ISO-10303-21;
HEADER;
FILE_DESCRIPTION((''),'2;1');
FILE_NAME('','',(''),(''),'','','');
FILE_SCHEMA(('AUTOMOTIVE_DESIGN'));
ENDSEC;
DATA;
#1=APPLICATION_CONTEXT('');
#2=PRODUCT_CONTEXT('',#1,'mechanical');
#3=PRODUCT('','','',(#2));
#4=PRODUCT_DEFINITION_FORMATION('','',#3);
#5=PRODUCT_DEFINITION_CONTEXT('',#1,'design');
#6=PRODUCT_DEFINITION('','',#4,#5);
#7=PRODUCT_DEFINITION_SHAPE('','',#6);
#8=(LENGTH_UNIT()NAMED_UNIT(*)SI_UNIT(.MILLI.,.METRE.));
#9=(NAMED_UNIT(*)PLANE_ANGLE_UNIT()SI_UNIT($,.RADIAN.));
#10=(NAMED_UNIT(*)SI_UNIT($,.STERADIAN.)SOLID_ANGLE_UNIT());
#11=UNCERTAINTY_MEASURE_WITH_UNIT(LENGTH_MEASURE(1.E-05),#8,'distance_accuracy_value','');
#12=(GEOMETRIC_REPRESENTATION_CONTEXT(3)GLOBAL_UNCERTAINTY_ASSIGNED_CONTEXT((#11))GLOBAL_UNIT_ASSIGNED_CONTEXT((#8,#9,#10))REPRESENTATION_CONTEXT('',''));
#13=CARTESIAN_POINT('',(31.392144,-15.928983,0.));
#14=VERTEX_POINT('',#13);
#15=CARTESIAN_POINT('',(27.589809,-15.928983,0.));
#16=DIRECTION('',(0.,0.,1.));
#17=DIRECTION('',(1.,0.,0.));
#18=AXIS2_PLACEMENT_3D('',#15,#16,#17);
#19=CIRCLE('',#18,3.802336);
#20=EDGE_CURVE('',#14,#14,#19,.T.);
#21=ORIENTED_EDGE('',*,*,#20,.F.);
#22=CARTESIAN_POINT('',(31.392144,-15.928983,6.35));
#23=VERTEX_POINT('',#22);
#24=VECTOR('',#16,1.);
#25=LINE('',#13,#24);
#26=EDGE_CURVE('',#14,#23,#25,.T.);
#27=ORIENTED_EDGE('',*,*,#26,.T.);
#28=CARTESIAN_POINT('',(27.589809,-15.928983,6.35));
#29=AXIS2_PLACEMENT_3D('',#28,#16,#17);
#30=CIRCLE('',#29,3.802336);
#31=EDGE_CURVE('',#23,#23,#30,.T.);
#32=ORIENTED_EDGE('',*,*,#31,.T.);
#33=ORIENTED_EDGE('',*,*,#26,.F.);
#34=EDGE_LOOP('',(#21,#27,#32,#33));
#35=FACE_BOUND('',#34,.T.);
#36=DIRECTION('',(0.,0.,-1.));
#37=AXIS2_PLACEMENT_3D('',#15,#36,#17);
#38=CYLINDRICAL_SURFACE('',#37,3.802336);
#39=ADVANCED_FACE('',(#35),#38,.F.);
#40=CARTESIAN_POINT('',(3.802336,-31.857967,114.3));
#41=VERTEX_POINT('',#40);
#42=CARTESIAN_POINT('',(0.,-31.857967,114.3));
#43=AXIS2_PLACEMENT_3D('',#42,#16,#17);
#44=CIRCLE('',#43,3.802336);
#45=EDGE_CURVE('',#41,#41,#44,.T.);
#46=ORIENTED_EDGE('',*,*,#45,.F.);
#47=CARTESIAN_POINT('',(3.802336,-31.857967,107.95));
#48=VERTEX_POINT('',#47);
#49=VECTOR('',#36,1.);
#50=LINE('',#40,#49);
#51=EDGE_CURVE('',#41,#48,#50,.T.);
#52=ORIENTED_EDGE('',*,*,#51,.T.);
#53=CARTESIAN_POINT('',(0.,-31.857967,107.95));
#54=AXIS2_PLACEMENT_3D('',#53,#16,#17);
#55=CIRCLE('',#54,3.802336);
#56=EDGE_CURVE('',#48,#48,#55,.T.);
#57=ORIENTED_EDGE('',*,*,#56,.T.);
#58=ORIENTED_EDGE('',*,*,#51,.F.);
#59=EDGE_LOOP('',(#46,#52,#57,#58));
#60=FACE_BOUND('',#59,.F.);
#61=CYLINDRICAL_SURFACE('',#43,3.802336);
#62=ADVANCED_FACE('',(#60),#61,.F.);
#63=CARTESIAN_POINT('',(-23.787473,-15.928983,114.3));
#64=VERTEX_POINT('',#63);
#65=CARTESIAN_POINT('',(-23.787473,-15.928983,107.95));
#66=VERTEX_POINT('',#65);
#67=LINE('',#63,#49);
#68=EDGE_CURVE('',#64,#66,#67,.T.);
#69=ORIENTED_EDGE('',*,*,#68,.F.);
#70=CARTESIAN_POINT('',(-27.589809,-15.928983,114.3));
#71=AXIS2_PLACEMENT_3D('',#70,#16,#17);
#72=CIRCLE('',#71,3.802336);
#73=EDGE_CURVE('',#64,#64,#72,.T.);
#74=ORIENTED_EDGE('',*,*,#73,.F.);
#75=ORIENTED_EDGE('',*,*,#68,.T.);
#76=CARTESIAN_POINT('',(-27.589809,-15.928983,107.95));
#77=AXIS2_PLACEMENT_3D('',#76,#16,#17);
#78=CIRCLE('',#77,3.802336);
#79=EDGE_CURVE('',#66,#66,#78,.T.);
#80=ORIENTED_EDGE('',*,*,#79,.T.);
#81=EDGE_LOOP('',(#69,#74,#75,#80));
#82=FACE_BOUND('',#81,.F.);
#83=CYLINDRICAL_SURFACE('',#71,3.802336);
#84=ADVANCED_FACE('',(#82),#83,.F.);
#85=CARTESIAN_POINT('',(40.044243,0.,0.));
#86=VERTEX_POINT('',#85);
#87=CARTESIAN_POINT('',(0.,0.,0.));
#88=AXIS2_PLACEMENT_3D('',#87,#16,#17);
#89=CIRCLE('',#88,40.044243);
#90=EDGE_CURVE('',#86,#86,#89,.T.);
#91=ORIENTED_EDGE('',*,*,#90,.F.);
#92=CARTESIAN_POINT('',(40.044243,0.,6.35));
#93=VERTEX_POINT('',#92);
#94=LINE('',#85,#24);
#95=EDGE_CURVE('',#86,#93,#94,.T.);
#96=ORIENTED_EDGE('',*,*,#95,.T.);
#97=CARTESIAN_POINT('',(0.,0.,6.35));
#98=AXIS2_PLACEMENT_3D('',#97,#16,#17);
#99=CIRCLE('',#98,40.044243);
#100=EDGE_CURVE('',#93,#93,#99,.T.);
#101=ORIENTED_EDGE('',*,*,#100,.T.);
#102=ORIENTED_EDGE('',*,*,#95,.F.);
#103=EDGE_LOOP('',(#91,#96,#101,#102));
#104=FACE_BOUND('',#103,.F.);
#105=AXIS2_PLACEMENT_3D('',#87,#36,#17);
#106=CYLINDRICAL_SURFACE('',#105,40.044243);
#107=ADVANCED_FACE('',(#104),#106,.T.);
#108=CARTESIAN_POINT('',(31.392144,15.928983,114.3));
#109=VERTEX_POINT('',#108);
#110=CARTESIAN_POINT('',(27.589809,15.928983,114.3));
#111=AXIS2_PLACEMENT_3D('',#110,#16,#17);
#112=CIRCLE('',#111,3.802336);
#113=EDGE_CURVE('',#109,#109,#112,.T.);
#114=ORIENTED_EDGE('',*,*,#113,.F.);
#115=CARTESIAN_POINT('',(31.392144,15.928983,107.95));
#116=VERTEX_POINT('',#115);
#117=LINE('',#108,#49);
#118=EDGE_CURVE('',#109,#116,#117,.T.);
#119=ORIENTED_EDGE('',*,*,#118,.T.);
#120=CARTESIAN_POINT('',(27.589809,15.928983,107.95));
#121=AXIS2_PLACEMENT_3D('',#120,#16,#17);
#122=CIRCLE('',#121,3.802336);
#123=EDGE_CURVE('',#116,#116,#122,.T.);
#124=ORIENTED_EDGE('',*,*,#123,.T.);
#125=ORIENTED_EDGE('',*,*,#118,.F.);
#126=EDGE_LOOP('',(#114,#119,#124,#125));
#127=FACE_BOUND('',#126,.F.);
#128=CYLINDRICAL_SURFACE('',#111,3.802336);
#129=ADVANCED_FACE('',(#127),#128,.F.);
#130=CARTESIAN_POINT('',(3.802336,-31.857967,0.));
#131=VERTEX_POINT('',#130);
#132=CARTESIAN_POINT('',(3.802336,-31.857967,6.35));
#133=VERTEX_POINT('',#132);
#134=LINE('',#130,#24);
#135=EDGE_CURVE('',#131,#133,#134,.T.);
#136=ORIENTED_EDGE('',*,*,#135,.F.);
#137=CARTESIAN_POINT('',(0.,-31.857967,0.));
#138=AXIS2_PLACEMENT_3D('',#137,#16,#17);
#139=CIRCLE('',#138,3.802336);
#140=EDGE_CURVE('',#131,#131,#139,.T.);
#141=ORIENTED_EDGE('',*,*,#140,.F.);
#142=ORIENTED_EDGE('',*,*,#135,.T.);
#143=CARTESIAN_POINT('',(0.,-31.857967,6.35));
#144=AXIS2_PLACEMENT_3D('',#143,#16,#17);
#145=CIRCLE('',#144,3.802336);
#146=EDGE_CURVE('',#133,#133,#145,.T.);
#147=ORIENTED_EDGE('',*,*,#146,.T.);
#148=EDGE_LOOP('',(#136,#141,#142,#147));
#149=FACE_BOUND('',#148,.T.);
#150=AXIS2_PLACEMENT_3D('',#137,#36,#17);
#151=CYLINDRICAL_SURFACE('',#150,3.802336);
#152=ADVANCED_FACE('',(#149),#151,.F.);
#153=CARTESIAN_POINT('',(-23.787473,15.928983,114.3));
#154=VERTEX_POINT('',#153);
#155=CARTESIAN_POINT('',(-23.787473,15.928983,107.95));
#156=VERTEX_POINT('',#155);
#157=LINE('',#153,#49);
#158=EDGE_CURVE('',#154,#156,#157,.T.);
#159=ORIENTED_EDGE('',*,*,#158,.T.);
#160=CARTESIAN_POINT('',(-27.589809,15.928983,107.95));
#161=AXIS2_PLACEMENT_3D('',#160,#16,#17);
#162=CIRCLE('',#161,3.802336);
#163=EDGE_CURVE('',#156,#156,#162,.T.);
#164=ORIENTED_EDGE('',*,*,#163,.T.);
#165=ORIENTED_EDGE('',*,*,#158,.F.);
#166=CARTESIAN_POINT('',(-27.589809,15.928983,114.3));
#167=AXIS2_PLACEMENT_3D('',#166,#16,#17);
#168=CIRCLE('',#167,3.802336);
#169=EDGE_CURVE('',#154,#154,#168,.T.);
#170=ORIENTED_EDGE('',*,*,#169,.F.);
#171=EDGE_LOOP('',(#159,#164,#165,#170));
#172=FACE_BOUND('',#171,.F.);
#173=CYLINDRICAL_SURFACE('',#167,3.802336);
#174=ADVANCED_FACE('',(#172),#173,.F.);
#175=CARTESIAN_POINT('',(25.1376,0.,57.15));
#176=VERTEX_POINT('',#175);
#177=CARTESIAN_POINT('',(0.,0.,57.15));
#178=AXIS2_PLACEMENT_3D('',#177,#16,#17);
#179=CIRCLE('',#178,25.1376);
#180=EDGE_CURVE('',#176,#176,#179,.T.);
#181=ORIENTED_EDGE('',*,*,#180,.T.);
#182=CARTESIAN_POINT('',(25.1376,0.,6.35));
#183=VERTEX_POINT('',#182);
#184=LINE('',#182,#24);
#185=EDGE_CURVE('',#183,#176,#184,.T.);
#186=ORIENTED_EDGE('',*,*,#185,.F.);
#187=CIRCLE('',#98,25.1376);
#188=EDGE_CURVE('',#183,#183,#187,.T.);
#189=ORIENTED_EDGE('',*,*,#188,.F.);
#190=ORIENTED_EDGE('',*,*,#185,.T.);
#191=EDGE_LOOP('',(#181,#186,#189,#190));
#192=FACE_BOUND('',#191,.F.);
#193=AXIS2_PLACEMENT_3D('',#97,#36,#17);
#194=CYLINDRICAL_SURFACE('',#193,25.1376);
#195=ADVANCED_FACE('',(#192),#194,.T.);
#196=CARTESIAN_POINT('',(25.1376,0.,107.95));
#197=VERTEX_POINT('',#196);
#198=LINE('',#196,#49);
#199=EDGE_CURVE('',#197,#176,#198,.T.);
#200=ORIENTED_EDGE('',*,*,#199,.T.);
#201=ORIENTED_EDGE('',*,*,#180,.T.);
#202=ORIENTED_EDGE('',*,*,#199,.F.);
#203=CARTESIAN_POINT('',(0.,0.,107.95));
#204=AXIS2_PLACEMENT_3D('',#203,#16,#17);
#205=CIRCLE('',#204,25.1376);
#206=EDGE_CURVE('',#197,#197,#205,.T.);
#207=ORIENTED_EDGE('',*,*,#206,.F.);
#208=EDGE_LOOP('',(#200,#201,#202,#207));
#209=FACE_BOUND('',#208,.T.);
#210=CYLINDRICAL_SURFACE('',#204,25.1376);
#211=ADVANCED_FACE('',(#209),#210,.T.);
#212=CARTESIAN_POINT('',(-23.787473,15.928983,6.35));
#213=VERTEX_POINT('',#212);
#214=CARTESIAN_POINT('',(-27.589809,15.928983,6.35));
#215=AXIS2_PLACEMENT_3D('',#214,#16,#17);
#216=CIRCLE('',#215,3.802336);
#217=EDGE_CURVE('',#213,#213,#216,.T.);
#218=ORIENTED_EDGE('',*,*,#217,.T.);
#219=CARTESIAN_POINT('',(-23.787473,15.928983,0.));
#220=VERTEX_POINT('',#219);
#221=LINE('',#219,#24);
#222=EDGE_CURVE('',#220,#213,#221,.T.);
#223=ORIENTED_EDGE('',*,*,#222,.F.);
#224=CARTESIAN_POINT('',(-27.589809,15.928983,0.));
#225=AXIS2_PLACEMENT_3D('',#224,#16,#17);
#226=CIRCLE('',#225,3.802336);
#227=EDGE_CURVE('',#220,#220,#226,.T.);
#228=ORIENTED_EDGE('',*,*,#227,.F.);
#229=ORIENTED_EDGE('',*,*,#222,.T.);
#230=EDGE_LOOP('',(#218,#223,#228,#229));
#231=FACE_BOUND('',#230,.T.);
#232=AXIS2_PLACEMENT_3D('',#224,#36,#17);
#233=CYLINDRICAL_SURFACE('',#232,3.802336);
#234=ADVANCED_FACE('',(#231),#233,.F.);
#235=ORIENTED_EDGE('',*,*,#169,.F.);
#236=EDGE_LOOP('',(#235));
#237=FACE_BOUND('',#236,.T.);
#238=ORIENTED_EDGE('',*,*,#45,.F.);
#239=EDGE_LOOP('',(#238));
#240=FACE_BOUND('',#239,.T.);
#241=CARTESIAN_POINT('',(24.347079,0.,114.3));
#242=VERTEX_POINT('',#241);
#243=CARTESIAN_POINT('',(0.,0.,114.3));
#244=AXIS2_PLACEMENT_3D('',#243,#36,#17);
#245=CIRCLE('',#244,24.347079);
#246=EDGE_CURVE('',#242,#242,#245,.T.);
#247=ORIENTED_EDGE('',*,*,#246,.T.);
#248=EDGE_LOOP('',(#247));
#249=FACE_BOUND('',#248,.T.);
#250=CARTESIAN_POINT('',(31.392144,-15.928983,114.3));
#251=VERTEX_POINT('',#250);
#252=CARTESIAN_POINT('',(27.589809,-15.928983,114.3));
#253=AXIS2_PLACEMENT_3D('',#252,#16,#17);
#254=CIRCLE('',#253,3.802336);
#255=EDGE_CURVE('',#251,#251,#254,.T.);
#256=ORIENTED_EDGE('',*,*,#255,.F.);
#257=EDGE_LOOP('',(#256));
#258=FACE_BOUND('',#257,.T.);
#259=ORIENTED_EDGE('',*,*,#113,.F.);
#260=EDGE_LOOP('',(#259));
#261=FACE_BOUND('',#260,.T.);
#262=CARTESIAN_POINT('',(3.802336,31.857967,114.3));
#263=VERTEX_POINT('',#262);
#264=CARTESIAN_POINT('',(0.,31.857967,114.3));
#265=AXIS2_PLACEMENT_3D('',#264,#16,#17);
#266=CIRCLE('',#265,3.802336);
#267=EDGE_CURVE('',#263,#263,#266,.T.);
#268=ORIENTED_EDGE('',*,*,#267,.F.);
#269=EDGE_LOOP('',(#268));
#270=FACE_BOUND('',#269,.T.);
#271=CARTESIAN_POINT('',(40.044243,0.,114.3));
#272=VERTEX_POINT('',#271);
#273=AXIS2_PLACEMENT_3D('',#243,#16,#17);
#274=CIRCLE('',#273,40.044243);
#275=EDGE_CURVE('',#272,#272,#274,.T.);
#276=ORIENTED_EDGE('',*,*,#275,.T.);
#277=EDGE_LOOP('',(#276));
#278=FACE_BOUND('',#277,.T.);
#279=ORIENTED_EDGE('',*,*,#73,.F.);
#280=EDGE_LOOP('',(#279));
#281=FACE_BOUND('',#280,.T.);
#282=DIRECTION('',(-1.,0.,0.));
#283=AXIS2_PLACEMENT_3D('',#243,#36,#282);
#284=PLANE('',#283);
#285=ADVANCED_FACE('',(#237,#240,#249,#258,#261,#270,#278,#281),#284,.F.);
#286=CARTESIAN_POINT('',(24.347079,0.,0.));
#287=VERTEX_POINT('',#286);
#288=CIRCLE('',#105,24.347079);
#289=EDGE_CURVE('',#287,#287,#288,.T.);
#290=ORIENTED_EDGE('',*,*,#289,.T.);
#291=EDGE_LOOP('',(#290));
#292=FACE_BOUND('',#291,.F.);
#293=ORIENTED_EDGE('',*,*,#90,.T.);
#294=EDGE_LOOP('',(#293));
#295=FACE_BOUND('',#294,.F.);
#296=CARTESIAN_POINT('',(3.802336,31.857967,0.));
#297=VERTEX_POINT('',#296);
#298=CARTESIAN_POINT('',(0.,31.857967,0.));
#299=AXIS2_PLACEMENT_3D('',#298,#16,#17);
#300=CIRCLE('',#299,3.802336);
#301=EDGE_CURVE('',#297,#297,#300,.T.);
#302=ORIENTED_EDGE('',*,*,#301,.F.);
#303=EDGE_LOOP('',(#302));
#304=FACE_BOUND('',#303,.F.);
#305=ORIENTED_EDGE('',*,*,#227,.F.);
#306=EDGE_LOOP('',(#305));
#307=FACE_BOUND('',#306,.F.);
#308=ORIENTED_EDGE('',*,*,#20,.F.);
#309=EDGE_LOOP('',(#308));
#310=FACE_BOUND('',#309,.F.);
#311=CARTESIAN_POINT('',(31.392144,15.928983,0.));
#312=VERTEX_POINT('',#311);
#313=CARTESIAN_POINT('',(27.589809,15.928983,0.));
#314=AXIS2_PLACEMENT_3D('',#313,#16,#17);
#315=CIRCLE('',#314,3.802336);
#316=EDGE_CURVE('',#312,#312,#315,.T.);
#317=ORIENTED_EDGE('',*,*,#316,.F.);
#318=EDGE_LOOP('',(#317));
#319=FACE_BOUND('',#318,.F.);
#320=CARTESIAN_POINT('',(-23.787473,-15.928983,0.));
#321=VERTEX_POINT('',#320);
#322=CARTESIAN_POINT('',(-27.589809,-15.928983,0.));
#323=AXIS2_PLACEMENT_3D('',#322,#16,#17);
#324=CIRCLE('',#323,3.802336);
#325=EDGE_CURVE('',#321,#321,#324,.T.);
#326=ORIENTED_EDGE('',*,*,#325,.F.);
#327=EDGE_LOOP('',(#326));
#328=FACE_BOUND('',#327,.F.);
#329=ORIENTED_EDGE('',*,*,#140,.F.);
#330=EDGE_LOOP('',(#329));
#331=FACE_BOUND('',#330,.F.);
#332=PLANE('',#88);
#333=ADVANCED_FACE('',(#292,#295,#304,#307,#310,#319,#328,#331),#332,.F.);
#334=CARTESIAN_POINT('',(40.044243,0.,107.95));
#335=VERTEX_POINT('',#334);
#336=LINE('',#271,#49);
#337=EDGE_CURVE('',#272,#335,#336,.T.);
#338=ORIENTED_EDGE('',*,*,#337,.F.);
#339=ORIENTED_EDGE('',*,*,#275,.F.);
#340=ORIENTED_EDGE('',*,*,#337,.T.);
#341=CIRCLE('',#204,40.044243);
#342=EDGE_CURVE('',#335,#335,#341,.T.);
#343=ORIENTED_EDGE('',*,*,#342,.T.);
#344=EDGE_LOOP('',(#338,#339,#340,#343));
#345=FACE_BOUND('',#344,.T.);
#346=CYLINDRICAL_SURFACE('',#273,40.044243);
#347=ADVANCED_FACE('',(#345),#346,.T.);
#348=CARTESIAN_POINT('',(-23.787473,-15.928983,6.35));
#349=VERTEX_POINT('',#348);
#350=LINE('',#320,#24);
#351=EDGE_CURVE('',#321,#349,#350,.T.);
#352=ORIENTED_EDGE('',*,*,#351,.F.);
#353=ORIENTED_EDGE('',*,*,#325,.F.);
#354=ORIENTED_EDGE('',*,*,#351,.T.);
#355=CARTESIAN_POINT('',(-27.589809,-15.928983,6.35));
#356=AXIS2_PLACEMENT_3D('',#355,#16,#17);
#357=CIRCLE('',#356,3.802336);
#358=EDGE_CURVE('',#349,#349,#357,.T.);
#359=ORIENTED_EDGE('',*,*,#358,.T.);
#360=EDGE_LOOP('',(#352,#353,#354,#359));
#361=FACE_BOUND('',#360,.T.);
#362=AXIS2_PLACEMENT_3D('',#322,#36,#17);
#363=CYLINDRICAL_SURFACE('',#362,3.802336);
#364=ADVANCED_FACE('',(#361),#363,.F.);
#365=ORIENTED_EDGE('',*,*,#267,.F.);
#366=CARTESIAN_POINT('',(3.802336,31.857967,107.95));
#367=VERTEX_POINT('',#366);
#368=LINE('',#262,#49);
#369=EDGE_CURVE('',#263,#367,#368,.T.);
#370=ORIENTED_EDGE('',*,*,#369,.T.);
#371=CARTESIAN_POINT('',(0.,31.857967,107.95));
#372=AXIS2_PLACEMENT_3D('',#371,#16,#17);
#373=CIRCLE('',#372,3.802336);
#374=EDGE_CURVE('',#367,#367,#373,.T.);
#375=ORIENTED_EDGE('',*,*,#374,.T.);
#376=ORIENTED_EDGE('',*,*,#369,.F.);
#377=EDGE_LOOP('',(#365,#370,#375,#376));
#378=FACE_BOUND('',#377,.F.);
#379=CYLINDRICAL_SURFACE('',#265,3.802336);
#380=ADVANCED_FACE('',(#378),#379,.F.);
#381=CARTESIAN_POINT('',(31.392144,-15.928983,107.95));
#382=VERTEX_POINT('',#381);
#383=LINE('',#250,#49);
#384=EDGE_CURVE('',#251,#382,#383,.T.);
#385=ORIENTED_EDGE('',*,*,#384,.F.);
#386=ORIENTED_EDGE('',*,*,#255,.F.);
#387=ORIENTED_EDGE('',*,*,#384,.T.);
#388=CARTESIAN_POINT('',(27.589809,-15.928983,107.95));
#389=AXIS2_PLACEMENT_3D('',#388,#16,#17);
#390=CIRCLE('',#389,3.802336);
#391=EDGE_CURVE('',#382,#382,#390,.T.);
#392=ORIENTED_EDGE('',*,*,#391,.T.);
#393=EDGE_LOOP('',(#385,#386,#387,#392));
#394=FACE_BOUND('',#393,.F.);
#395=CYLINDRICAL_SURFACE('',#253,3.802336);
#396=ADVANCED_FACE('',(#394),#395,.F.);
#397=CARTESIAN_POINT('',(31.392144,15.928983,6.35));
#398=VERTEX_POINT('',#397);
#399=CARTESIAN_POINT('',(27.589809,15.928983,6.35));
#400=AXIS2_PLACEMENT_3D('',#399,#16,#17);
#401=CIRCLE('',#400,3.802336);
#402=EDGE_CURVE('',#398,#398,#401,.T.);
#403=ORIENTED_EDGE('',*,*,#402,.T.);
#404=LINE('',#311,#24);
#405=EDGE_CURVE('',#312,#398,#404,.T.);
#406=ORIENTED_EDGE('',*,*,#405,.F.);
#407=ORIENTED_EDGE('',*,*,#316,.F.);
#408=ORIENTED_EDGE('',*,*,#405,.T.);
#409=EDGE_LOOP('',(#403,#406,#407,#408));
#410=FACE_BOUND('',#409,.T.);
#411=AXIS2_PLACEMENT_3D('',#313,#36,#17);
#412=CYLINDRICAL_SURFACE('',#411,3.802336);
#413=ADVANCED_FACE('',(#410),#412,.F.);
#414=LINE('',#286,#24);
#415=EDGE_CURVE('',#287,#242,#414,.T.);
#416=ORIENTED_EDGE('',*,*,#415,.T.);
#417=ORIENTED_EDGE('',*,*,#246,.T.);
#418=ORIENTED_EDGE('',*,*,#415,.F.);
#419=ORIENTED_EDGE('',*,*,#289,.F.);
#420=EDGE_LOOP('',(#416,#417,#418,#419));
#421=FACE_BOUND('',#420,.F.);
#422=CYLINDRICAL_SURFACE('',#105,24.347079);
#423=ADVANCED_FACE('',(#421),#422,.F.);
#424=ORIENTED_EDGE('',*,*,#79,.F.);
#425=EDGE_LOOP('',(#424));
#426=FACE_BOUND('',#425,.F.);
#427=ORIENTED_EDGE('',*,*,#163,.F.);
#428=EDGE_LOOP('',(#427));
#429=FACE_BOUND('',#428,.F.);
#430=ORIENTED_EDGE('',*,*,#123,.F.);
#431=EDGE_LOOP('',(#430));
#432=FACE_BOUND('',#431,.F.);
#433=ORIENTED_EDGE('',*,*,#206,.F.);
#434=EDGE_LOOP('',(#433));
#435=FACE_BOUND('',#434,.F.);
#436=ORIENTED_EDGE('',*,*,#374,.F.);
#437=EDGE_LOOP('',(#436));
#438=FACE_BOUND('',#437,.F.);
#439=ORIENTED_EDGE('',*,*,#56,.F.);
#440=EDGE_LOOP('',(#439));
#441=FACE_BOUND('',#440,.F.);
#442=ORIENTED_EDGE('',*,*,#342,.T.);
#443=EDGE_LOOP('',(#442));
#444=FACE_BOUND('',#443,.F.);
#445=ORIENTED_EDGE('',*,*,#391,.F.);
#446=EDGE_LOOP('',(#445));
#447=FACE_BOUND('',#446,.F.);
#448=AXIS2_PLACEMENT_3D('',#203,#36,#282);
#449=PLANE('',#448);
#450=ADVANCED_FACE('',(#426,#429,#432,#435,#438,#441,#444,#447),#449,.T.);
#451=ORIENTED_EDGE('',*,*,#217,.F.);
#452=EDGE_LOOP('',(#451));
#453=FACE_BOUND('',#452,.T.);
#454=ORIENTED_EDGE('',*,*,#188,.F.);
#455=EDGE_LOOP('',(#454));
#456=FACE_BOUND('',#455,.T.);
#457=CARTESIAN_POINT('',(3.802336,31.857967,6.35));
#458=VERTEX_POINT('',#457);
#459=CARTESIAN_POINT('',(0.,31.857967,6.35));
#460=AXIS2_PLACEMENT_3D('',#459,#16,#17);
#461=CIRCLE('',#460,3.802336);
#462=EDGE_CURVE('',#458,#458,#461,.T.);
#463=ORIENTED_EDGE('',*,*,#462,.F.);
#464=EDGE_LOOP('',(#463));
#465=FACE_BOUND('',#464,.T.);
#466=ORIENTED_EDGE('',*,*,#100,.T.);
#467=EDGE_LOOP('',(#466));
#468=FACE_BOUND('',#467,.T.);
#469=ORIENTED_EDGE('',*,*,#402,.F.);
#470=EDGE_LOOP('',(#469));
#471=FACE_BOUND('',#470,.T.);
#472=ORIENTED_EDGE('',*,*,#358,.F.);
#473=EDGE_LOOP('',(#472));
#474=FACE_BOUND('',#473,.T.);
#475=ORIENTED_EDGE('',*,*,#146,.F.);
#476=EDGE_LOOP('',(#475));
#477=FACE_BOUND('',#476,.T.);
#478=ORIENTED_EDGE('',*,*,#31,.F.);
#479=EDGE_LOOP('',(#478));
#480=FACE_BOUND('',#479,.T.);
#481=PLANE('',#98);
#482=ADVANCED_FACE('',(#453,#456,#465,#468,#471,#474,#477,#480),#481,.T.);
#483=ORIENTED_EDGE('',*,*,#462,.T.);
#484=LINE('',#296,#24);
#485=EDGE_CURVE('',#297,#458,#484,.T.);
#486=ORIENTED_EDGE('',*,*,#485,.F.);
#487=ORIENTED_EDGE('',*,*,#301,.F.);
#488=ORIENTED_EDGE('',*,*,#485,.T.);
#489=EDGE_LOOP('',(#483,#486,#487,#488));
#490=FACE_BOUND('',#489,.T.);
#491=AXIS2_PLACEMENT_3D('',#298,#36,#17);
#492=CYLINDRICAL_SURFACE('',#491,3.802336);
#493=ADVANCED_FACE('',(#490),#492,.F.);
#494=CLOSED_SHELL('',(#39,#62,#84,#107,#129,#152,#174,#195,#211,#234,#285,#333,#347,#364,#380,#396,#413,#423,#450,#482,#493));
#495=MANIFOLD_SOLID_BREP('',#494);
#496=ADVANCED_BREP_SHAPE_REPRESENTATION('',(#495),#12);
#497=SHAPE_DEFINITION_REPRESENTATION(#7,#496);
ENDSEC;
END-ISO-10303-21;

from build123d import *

# Parameters (mm, degrees)
F0_R     = 40.044242968
F0_R_2   = 3.8023358025
F1_DEPTH = 6.35
F2_R     = 25.1375995998
F3_DEPTH = 50.8
F5_R     = 24.3470793068
F6_DEPTH = 114.301


with BuildPart() as f1:
    # F0 (on Top) → F1 (new body)
    with BuildSketch(Plane.XY):
        Circle(F0_R)
        with Locations((-27.5898085333, -15.9289833836)):
            Circle(F0_R_2, mode=Mode.SUBTRACT)
        with Locations((0, -31.8579667672)):
            Circle(F0_R_2, mode=Mode.SUBTRACT)
        with Locations((27.5898085333, -15.9289833836)):
            Circle(F0_R_2, mode=Mode.SUBTRACT)
        with Locations((-27.5898085333, 15.9289833836)):
            Circle(F0_R_2, mode=Mode.SUBTRACT)
        with Locations((27.5898085333, 15.9289833836)):
            Circle(F0_R_2, mode=Mode.SUBTRACT)
        with Locations((0, 31.8579667672)):
            Circle(F0_R_2, mode=Mode.SUBTRACT)
    extrude(amount=F1_DEPTH)

    # F2 (on face) → F3 (join)
    with BuildSketch(Plane.XY.offset(6.35)):
        Circle(F2_R)
    extrude(amount=F3_DEPTH)

    # F4: F1 across face


with BuildPart() as f1_1:
    add(f1.part)
    add(f1.part.mirror(Plane.XY.offset(57.15)))

    # F5 (on face) → F6 (cut, through all)
    with BuildSketch(Plane(origin=(0, 0, 0), x_dir=(1, 0, 0), z_dir=(0, 0, -1))):
        Circle(F5_R)
    extrude(amount=-F6_DEPTH, mode=Mode.SUBTRACT)


solid = f1_1.part
